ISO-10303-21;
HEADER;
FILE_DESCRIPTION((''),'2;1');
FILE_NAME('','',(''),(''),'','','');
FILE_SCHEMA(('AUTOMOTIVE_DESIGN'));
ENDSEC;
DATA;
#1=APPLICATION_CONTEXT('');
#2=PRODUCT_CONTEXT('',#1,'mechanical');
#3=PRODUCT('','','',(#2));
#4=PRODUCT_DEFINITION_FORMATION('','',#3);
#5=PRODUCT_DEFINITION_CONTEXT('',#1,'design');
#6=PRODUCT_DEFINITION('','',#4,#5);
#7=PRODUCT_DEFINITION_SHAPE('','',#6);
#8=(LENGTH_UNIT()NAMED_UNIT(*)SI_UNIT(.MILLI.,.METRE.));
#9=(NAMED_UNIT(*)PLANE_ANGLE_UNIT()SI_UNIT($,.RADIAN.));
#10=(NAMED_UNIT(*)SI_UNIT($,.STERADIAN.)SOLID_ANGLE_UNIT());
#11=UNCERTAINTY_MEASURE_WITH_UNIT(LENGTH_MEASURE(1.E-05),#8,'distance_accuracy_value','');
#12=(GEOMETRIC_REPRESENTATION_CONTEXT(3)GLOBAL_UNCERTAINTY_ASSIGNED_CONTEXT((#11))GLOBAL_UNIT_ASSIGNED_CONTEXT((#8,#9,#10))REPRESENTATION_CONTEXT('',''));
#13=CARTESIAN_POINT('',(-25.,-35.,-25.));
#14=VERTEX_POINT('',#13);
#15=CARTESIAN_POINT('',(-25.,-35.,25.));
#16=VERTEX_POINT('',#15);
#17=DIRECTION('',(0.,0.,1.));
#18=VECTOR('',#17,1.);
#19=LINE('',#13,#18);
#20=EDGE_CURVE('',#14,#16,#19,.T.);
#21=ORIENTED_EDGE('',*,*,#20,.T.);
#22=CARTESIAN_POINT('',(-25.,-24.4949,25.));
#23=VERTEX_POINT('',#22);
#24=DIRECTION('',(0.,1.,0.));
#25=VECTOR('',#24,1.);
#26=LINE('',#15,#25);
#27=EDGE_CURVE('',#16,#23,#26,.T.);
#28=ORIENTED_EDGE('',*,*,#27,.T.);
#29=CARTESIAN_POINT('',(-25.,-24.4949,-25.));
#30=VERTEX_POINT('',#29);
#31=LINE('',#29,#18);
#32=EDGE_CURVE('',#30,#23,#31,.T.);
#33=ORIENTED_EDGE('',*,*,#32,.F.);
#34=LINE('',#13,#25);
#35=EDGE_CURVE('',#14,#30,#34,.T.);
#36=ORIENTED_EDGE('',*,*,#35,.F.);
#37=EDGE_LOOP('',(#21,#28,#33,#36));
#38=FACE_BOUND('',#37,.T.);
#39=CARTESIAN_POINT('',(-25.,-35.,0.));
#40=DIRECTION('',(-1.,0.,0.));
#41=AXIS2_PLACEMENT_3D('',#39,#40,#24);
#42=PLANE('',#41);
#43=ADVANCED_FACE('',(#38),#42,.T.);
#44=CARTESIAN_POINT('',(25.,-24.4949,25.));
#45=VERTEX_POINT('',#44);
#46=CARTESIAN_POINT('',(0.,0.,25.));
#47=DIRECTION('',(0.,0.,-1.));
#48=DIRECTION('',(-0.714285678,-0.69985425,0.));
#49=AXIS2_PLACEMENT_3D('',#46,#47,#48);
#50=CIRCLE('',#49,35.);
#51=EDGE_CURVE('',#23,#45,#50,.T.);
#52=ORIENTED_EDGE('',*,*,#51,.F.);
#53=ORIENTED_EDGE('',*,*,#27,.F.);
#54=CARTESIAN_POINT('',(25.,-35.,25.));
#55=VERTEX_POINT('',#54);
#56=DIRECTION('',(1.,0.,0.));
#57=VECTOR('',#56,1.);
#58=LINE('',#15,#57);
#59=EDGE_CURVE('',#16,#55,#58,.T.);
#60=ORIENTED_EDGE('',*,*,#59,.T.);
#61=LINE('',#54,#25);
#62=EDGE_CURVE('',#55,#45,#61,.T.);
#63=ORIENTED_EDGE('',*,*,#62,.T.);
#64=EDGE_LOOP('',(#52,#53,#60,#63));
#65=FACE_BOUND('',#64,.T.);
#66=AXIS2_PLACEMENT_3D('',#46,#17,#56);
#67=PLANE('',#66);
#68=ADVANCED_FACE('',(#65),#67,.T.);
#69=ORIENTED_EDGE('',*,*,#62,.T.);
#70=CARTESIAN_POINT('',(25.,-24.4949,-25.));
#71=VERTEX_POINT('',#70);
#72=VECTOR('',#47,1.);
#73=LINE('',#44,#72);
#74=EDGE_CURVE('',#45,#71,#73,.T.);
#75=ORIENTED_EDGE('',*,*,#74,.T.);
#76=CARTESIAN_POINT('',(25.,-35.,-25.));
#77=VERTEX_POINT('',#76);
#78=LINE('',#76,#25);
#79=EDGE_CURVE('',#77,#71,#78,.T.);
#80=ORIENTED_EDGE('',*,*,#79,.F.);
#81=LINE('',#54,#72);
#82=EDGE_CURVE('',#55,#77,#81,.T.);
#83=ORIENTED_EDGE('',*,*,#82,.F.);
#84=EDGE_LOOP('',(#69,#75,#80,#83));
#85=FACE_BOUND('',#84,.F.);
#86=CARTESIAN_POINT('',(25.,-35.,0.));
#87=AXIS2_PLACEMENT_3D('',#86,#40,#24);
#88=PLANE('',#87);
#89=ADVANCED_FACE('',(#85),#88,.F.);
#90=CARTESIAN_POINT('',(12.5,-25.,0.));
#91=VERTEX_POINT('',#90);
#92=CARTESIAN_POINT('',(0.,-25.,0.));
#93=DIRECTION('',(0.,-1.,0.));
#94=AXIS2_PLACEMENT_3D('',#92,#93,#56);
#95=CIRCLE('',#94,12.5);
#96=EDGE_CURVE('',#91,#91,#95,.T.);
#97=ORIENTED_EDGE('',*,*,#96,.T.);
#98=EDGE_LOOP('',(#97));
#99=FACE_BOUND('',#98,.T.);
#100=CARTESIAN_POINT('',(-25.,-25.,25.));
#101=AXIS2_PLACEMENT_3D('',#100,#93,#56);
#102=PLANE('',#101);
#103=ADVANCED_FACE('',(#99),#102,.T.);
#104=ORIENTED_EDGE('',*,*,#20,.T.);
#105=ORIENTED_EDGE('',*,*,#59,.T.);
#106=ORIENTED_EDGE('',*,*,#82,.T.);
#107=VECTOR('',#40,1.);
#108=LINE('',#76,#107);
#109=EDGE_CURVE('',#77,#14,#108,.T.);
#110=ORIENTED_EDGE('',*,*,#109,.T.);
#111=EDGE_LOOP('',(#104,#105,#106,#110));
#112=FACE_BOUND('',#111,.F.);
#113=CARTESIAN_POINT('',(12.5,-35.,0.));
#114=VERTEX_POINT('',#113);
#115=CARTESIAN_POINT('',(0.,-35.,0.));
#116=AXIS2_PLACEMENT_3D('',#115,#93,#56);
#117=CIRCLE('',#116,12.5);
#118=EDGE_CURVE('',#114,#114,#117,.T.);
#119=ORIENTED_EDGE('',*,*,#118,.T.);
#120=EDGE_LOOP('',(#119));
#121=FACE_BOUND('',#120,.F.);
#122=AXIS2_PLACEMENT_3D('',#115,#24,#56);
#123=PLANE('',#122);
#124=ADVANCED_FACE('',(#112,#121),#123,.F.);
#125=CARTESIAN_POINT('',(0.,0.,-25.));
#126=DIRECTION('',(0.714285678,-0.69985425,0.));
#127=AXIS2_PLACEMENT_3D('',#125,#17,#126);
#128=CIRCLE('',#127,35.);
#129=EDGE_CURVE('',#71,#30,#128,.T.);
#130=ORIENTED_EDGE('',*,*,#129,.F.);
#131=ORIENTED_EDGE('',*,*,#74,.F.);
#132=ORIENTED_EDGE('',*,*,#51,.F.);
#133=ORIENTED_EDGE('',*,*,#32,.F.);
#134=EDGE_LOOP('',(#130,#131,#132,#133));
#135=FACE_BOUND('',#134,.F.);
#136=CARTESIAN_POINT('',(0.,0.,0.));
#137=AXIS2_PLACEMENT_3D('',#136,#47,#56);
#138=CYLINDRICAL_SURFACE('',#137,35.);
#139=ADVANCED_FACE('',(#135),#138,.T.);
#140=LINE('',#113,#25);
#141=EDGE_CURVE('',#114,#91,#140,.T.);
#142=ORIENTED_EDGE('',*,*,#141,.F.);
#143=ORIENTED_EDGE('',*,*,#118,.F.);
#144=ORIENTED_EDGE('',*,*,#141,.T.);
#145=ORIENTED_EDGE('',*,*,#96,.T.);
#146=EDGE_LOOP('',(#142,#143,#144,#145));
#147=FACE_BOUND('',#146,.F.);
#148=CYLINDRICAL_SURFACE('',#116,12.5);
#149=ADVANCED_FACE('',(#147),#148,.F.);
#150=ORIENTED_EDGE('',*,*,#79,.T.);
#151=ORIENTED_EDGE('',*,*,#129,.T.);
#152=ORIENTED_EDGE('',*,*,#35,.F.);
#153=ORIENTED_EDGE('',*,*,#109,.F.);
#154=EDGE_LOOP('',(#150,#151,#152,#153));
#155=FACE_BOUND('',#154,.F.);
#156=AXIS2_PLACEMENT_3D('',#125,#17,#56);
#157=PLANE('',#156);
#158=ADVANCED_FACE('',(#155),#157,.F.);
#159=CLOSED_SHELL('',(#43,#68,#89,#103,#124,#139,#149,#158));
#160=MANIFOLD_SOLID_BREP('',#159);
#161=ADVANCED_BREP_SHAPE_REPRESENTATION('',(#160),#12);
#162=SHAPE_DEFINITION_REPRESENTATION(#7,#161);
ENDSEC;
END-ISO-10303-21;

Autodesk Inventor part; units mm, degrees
ref_plane "YZ Plane" through (0, 0, 0) normal (1, 0, 0) x (0, 1, 0)
ref_plane "XZ Plane" through (0, 0, 0) normal (0, 1, 0) x (-1, 0, 0)
ref_plane "XY Plane" through (0, 0, 0) normal (0, 0, 1) x (1, 0, 0)
sketch "Sketch1" plane through (0, 0, 0) normal (0, 0, 1) x (1, 0, 0)
  circle A0 centre (0, 0) radius 35
  dimension "d0" = 70
extrude "Extrusion1" add sketch "Sketch1" along normal mid plane 50
sketch "Sketch2" plane through (0, 0, 0) normal (0, 0, 1) x (1, 0, 0)
  circle A0 centre (0, 0) radius 35 projected
  line L0 (0, -35) -> (25, -35)
  line L1 (25, -35) -> (25, -24.4949)
  arc A1 (0, -35) -> (25, -24.4949) centre (0, 0) ccw
  line L2 (25, -24.4949) -> (-25, -24.4949)
  line L3 (-25, -35) -> (0, -35)
  line L4 (-25, -35) -> (-25, -24.4949)
  arc A2 (-25, -24.4949) -> (0, -35) centre (0, 0) ccw
  dimension "d3" = 25
  dimension "d6" = 25
extrude "Extrusion2" add sketch "Sketch2" along normal mid plane 50
sketch "Sketch4" plane through (-25, -35, 25) normal (0, -1, 0) x (1, 0, 0)
  circle A0 centre (25, -25) radius 12.5
  dimension "d7" = 25
extrude "Extrusion3" cut sketch "Sketch4" against normal blind 10
